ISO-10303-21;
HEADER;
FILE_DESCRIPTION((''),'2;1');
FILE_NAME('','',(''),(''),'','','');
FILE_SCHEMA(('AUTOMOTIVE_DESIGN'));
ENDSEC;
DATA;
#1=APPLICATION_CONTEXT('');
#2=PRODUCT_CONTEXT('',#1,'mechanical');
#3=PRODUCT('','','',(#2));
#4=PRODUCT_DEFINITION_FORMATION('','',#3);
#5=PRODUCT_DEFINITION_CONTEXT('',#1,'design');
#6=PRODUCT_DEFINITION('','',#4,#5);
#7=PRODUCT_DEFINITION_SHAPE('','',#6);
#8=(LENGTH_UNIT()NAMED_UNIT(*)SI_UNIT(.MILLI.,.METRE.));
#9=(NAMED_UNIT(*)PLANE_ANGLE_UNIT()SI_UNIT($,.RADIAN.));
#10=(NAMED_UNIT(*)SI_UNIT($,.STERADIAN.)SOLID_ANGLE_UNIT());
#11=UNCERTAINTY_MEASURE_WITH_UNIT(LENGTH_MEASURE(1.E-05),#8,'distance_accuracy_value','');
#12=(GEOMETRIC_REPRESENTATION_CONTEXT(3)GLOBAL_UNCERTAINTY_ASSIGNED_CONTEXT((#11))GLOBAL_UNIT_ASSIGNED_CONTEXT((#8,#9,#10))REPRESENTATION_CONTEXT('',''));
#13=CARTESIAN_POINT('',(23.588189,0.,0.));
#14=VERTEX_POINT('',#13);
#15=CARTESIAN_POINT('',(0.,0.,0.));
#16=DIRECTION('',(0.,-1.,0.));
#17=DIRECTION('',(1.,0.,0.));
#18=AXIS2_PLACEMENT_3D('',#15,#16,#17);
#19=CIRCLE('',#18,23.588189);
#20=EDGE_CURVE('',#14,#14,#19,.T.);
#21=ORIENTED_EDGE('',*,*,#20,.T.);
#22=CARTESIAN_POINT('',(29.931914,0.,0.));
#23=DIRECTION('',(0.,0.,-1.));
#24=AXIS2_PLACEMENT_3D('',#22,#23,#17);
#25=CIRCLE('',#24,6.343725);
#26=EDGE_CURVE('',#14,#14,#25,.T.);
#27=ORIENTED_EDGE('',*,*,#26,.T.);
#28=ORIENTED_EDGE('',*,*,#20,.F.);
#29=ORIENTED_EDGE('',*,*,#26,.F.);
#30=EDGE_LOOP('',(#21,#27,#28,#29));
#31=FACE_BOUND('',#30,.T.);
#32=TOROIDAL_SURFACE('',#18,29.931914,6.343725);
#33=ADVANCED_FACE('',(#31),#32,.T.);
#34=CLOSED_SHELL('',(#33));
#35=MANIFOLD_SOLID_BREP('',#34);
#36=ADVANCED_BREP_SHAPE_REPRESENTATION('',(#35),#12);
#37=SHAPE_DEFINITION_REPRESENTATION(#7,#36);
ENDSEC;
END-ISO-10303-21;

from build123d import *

# Parameters (mm, degrees)
F1_R = 6.343725


with BuildPart() as f2:
    # F2: sweep along a path in F0
    with BuildLine(Plane.XZ) as f2_path:
        CenterArc((0, 0), 30.062307, 0, 360)
    # F1 (on Top) → F2 (sweep)
    with BuildSketch(Plane.XY):
        with Locations((-29.931914, 0)):
            Circle(F1_R)
    sweep(path=f2_path.line)


solid = f2.part
